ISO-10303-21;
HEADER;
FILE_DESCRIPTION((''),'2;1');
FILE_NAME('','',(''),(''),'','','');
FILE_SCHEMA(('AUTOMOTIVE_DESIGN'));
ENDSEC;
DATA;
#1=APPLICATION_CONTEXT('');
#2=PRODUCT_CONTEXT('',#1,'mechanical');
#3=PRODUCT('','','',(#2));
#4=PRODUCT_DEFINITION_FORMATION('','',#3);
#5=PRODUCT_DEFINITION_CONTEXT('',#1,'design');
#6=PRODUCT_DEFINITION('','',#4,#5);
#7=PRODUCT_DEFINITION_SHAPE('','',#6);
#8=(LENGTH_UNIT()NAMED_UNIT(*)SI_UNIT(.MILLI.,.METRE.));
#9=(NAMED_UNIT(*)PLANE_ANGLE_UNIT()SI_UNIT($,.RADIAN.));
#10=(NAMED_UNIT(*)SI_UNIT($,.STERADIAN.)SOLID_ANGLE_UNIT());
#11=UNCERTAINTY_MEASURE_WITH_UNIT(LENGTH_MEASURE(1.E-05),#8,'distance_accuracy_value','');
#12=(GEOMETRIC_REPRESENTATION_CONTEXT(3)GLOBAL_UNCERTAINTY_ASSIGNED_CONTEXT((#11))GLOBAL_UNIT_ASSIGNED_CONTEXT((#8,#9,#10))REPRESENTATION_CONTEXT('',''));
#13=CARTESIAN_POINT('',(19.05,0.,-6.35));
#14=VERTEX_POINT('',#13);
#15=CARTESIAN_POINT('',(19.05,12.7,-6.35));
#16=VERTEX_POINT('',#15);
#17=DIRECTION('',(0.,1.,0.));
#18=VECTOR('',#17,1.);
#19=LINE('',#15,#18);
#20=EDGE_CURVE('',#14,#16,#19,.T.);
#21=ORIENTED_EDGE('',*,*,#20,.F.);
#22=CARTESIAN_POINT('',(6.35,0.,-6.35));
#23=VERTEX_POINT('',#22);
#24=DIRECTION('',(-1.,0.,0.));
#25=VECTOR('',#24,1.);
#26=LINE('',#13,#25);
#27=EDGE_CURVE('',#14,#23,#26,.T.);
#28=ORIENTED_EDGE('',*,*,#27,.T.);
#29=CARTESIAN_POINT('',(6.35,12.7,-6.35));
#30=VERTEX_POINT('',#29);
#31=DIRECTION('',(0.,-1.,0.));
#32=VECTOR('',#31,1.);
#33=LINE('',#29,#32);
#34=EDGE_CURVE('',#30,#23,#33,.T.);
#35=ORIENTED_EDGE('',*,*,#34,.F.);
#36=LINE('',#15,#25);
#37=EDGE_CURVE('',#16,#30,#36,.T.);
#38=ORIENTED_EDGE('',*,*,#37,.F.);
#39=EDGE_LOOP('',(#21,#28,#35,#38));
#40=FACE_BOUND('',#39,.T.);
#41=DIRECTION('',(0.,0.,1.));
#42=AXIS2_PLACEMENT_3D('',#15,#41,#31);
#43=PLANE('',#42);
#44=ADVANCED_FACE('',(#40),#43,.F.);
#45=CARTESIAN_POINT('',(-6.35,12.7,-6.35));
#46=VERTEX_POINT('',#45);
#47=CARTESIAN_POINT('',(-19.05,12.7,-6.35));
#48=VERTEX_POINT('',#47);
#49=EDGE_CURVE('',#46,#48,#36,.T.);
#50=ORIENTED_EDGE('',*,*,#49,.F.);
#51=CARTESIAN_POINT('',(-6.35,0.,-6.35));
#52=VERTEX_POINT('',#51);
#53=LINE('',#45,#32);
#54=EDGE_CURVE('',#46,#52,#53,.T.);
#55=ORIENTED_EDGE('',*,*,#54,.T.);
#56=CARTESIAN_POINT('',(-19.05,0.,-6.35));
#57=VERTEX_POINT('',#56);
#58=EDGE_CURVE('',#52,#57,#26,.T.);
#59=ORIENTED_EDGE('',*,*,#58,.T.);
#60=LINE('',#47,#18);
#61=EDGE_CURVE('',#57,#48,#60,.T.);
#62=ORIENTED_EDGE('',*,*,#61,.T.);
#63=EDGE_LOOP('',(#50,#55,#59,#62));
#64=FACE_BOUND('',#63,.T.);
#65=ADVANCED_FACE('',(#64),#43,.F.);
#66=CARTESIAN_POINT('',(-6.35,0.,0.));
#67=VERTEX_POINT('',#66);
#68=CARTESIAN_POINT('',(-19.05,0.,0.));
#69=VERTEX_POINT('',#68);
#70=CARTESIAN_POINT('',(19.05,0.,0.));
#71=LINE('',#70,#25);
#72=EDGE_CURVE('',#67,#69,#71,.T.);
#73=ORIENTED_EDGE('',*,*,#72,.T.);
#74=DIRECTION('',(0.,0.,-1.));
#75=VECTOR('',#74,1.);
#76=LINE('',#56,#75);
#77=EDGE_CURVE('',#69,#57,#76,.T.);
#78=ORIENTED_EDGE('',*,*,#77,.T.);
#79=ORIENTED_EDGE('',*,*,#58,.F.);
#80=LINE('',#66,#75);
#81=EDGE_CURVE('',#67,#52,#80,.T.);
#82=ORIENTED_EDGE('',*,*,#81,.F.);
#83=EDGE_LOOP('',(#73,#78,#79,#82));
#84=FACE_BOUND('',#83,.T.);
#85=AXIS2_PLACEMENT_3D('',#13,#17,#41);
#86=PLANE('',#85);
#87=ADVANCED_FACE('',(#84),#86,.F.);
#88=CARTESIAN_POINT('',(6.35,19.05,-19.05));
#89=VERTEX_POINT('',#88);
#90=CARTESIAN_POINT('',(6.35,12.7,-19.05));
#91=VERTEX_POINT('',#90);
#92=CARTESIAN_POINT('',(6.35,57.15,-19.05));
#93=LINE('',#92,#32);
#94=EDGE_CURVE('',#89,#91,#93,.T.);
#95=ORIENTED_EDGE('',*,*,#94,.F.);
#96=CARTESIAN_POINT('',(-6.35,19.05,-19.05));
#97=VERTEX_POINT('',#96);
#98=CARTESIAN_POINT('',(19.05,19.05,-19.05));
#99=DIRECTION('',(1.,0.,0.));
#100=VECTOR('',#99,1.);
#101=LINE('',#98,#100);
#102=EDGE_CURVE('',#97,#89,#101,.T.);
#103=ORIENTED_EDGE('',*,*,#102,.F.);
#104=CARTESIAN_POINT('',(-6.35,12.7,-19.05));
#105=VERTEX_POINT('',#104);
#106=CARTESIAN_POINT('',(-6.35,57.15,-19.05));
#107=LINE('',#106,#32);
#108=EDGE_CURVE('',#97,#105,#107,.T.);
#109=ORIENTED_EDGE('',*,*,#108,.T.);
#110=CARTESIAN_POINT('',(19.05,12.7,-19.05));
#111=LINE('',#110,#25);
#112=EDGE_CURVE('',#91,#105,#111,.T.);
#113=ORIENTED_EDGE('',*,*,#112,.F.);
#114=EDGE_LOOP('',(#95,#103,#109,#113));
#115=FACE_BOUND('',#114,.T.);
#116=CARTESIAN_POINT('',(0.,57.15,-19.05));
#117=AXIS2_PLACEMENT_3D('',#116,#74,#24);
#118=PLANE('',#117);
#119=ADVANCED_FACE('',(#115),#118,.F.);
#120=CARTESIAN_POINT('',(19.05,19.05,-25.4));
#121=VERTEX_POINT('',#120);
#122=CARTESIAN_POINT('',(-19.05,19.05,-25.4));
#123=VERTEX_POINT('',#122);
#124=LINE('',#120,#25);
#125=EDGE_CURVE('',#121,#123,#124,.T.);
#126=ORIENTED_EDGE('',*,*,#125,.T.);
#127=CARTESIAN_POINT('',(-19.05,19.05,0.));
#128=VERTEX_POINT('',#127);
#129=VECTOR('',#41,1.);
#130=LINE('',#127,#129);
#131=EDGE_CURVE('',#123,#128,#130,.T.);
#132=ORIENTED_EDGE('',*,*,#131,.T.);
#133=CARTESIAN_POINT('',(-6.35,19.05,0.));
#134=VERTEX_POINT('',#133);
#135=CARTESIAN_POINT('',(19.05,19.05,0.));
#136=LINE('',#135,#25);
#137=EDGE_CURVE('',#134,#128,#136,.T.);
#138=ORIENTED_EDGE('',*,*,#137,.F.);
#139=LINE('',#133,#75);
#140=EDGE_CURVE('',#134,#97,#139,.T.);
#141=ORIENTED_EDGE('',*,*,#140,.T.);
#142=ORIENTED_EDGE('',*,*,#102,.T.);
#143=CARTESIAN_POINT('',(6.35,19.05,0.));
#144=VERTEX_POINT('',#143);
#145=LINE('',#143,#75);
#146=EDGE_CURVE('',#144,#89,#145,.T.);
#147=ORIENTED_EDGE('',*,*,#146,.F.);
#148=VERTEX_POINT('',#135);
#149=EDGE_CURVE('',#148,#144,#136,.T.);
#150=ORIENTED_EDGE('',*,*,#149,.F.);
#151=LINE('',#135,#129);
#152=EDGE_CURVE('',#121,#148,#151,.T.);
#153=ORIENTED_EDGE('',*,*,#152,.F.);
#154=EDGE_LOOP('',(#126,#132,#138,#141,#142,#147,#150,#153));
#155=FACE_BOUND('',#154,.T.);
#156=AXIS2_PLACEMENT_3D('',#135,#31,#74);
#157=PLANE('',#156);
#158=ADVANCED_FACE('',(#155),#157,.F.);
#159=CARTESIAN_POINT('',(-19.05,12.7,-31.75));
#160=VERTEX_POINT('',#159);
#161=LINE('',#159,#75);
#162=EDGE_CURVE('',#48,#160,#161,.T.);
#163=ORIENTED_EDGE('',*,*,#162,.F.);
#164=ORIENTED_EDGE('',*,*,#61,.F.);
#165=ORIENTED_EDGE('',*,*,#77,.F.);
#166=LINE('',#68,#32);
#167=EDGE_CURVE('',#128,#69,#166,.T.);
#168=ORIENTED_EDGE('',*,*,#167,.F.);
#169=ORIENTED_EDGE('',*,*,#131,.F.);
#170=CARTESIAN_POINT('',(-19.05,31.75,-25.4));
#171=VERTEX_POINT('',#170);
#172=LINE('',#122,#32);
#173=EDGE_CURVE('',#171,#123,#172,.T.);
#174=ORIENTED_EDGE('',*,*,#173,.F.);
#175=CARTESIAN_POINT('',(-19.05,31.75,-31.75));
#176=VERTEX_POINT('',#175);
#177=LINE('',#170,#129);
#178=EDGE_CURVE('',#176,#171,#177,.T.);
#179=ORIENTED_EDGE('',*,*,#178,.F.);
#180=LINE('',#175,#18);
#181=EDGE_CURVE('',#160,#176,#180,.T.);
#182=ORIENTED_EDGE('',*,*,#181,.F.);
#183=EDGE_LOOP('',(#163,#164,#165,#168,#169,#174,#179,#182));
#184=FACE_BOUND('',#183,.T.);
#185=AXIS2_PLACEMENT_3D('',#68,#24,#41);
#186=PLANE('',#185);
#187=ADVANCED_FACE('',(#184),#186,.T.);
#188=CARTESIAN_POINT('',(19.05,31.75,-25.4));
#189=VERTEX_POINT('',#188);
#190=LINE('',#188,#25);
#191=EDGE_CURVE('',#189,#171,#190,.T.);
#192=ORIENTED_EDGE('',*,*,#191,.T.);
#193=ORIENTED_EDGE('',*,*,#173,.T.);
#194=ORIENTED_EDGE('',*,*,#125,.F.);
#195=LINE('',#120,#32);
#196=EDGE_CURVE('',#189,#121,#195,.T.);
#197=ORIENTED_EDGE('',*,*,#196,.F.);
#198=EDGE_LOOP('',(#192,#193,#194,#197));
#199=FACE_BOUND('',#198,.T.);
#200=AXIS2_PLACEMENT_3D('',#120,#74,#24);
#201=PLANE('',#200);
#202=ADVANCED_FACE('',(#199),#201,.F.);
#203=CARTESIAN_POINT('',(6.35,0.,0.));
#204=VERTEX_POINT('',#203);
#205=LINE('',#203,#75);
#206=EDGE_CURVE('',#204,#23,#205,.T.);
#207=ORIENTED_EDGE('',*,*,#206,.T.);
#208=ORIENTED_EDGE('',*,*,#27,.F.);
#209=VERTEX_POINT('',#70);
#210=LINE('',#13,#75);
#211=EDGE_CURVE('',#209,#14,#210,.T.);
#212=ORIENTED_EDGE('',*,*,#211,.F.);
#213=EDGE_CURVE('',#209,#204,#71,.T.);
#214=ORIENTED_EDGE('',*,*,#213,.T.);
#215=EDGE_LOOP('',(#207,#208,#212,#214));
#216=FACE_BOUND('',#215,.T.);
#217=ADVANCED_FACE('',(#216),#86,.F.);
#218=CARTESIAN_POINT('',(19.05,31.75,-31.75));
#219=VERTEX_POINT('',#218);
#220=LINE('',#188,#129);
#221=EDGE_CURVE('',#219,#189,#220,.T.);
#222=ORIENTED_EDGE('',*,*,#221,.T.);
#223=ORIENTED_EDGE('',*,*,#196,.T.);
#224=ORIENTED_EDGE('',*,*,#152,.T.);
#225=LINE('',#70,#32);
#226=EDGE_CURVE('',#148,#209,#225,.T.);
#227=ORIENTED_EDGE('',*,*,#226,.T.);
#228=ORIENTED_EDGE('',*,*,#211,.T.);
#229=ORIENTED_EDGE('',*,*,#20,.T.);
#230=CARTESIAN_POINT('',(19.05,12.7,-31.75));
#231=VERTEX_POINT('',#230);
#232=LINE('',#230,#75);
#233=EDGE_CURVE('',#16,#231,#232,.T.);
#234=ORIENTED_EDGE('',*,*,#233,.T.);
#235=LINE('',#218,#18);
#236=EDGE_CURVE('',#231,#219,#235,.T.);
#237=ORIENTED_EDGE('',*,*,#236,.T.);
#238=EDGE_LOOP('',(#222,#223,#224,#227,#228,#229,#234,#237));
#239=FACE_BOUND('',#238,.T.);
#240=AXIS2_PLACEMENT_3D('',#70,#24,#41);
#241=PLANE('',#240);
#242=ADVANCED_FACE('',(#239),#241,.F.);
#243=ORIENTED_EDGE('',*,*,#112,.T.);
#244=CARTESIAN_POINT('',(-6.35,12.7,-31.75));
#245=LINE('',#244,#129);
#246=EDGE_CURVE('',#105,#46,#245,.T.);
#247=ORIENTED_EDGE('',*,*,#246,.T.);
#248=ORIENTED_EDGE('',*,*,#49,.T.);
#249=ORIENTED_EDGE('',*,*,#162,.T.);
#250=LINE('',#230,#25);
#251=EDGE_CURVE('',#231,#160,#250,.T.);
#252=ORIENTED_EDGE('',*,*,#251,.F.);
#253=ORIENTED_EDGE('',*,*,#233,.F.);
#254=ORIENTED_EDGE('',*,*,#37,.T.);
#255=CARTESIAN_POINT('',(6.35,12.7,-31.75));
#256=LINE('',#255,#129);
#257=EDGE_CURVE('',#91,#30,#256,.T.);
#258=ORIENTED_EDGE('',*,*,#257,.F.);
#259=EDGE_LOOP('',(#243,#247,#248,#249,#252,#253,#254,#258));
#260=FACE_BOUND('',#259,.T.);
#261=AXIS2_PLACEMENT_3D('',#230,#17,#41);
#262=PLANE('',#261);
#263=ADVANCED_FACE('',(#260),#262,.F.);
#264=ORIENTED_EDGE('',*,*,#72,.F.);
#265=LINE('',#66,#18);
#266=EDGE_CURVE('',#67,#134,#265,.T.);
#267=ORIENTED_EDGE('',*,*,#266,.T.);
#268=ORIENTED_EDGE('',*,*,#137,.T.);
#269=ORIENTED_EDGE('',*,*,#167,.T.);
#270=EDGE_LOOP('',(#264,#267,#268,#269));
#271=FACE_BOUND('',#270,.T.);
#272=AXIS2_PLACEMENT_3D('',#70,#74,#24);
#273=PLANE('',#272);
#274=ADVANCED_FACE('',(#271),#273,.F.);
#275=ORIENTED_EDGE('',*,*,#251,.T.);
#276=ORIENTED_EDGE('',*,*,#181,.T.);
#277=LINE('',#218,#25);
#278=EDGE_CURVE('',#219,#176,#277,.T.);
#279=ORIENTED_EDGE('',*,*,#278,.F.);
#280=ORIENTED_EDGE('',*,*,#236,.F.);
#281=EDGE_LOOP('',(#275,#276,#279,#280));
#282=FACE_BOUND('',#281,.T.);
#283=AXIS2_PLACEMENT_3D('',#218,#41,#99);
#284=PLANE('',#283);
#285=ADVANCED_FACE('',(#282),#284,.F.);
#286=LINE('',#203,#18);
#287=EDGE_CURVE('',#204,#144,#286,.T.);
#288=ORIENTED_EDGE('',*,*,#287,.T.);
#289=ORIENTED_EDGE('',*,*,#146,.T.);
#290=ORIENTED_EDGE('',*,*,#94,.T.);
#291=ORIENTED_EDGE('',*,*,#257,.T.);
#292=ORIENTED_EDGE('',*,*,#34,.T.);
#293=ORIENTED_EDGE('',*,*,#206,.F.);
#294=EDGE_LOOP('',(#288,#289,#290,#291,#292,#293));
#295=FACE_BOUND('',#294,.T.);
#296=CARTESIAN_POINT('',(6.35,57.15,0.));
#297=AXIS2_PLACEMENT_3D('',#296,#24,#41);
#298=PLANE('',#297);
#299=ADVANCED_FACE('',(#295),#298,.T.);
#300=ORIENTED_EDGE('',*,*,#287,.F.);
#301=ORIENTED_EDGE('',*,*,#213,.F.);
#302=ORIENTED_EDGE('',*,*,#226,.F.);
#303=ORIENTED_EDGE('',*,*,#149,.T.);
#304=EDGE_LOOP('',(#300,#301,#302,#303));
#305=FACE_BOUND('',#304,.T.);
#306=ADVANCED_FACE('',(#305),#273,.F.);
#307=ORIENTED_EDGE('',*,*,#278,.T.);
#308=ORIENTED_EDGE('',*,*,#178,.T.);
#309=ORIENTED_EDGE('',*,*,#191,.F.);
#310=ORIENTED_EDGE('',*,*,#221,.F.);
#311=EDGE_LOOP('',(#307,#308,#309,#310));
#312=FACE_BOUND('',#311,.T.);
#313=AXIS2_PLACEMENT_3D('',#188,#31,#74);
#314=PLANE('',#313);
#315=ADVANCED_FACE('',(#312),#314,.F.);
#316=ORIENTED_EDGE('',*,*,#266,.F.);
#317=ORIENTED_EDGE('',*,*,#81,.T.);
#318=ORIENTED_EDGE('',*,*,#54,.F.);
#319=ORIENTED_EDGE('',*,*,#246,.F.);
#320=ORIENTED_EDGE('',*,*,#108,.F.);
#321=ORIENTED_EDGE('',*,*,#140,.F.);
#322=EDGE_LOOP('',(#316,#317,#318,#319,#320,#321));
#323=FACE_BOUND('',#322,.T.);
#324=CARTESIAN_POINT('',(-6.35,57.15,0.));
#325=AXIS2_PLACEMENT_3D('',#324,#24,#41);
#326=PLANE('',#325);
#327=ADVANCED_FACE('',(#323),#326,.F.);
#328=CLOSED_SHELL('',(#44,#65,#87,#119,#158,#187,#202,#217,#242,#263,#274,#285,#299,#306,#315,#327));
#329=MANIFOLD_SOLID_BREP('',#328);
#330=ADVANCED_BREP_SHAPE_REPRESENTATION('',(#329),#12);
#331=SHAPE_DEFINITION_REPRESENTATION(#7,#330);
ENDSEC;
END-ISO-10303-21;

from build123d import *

# Parameters (mm, degrees)
BOSS_EXTRUDE1_DEPTH     = 19.05
CUT_EXTRUDE1_DEPTH      = 38.1
CUT_EXTRUDE1_DEPTH_BACK = 42.639734629
SKETCH2_W               = 12.7
SKETCH2_H               = 19.05


with BuildPart() as part:
    # Sketch1 → Boss-Extrude1 (new, symmetric)
    with BuildSketch(Plane(origin=(0, 0, 0), x_dir=(0, 0, -1), z_dir=(1, 0, 0))):
        Polygon((0, 0), (0, 19.05), (25.4, 19.05), (25.4, 31.75), (31.75, 31.75), (31.75, 12.7), (6.35, 12.7), (6.35, 0), align=None)
    extrude(amount=BOSS_EXTRUDE1_DEPTH, both=True)

    # Sketch2 → Cut-Extrude1 (cut, two sides: drawn at the far end of the back side and taken through both)
    with BuildSketch(Plane(origin=(0, 19.05, 0), x_dir=(1, 0, 0), z_dir=(0, 1, 0)).offset(-CUT_EXTRUDE1_DEPTH_BACK)):
        with Locations((0, 9.525)):
            Rectangle(SKETCH2_W, SKETCH2_H)
    extrude(amount=CUT_EXTRUDE1_DEPTH + CUT_EXTRUDE1_DEPTH_BACK, mode=Mode.SUBTRACT)


solid = part.part
